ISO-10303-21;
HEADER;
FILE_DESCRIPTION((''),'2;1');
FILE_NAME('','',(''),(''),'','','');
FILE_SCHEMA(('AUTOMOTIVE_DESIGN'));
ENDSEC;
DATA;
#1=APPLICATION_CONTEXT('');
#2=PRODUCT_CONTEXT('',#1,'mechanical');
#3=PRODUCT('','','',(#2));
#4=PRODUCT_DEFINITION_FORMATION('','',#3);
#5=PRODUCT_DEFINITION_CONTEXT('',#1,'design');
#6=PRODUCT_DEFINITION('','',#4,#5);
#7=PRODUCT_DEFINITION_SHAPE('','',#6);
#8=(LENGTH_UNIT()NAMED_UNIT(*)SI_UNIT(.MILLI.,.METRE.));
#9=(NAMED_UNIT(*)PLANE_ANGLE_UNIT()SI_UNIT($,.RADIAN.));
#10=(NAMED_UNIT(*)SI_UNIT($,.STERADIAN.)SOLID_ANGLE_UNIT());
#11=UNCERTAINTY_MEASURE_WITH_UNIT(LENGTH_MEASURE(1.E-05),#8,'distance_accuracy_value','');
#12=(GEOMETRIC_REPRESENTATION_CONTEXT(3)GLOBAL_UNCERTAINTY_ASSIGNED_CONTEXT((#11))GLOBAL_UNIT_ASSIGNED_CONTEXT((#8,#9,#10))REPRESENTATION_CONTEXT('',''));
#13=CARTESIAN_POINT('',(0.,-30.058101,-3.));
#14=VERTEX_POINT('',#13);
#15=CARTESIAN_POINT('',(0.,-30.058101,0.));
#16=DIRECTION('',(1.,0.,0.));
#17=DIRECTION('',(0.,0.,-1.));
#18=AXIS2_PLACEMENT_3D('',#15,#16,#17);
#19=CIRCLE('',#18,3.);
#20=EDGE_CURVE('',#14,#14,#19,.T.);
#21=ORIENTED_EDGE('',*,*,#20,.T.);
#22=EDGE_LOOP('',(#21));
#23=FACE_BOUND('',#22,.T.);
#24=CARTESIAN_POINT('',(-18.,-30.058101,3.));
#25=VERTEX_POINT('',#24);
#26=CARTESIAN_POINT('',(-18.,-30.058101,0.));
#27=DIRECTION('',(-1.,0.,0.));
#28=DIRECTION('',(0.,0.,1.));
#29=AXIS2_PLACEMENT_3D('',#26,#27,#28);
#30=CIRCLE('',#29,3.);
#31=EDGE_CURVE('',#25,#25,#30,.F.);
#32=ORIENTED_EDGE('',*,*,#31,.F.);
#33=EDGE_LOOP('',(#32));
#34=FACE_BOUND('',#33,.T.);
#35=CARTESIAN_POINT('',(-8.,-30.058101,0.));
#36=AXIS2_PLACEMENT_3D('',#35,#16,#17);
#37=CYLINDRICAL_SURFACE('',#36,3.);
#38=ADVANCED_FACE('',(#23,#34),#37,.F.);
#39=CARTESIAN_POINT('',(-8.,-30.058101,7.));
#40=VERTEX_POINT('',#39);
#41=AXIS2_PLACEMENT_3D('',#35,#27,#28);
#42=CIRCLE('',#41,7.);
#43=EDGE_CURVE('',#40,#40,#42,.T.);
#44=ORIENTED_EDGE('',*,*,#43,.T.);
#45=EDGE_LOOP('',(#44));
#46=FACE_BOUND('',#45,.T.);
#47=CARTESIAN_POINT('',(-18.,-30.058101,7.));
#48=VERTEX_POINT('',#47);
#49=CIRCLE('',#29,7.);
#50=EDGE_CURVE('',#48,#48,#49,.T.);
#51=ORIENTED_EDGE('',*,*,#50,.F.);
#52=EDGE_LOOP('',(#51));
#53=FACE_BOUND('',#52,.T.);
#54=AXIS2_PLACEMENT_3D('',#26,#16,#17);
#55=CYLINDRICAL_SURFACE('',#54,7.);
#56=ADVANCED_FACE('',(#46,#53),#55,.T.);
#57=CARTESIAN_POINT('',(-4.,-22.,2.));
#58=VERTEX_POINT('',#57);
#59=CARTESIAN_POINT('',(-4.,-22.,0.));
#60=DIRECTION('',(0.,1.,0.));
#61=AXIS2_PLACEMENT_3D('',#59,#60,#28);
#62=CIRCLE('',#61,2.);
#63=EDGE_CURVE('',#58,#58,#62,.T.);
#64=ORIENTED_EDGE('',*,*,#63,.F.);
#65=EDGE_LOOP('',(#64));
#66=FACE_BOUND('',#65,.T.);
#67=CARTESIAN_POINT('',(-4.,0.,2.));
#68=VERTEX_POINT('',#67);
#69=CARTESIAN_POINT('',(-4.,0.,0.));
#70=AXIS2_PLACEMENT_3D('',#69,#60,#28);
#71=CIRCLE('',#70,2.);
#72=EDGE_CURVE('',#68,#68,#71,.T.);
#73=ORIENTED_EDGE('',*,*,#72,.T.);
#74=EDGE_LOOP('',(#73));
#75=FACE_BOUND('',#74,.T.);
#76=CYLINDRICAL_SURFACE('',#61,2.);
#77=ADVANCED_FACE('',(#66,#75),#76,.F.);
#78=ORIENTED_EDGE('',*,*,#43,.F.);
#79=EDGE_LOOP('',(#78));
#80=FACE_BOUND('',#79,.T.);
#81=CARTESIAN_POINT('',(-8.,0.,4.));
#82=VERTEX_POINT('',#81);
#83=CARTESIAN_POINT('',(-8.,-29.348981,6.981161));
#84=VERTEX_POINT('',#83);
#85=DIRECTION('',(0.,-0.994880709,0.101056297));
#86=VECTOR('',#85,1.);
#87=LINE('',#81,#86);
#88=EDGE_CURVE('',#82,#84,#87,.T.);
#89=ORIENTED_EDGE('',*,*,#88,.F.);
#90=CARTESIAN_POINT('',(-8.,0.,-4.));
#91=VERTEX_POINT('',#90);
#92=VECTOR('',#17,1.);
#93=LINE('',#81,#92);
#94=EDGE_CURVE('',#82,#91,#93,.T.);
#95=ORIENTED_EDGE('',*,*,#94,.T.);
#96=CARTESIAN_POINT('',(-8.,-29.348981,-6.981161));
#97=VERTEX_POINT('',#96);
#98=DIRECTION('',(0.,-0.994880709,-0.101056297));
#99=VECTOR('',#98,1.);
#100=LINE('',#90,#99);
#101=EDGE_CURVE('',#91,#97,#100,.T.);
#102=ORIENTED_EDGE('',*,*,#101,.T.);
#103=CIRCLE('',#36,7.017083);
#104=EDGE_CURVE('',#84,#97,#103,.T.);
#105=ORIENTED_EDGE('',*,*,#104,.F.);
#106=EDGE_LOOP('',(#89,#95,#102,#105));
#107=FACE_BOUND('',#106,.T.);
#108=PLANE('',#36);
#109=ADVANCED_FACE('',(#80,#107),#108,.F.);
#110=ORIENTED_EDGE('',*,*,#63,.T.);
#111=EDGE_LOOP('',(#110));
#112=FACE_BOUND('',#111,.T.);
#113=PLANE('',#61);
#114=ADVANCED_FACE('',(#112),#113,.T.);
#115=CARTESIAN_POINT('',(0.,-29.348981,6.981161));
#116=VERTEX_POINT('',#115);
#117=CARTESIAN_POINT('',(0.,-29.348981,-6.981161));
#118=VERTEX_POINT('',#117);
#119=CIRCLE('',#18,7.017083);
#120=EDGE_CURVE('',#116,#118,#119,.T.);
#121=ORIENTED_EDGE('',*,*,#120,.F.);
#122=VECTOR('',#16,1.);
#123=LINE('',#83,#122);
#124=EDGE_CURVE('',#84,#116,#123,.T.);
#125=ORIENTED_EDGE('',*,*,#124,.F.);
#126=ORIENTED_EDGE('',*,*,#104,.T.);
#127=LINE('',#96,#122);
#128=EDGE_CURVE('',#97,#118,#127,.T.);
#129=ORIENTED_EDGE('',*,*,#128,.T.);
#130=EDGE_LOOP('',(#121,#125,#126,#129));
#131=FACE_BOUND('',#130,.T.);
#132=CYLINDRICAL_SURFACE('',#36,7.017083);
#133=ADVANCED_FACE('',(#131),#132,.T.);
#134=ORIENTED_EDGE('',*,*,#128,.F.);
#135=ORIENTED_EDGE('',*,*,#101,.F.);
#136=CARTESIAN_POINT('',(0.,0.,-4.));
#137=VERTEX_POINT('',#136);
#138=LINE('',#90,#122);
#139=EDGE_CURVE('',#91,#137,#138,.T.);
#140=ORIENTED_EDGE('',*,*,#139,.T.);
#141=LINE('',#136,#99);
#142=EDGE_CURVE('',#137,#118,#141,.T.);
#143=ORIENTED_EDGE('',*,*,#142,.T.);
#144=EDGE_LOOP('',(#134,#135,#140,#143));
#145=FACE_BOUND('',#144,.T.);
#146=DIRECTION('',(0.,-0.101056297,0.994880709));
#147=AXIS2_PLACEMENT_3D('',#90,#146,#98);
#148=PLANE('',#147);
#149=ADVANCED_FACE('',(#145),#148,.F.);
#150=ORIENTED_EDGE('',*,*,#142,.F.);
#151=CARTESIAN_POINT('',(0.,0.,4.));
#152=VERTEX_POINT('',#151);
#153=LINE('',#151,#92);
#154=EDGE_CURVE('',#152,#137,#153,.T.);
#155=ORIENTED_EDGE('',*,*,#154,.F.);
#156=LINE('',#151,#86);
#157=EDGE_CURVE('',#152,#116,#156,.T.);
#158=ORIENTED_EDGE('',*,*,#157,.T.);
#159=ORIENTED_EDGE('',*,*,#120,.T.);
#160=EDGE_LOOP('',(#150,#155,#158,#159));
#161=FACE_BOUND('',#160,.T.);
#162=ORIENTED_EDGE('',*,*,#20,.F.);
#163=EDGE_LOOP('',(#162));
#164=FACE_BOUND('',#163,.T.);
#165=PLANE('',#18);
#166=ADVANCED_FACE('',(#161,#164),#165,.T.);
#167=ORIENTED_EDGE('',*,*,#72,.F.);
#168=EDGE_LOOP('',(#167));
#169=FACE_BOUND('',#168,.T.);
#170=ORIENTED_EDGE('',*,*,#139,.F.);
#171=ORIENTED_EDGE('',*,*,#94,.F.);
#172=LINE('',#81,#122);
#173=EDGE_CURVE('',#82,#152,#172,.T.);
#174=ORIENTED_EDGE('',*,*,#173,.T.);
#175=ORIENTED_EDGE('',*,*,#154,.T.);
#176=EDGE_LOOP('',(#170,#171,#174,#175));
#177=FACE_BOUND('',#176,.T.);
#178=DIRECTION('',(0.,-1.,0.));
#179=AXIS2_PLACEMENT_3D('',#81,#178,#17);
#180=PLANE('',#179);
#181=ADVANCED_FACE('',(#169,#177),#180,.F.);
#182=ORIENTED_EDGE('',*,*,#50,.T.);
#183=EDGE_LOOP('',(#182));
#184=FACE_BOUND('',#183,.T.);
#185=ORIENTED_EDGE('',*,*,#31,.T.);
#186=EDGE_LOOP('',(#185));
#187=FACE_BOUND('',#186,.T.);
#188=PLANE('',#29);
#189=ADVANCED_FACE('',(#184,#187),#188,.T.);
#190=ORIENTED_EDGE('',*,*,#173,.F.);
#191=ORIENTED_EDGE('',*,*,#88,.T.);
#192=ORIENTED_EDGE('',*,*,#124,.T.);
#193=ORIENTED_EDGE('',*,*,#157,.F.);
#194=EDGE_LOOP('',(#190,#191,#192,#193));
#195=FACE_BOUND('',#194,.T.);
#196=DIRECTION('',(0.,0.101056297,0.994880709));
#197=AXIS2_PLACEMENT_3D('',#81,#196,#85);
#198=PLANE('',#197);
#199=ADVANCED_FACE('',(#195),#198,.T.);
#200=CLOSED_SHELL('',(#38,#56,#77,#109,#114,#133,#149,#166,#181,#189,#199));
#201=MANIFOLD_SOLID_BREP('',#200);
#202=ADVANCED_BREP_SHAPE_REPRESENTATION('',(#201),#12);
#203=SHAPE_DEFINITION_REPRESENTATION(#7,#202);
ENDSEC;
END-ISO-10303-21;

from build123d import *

# Parameters (mm, degrees)
SKETCH1_R           = 3
BOSS_EXTRUDE1_DEPTH = 8
SKETCH2_R           = 7
SKETCH2_R_2         = 3
BOSS_EXTRUDE2_DEPTH = 10
SKETCH3_R           = 2
CUT_EXTRUDE1_DEPTH  = 22


with BuildPart() as part:
    # Sketch1 → Boss-Extrude1 (new body)
    with BuildSketch(Plane(origin=(0, 0, 0), x_dir=(0, 0, -1), z_dir=(1, 0, 0))):
        with BuildLine():
            Line((-4, 0), (-6.981160767, -29.34898091))
            ThreePointArc((-6.981160767, -29.34898091), (0, -37.075184621), (6.981160767, -29.34898091))
            Line((6.981160767, -29.34898091), (4, 0))
            Line((4, 0), (-4, 0))
        make_face()
        with Locations((0, -30.058101362)):
            Circle(SKETCH1_R, mode=Mode.SUBTRACT)
    extrude(amount=-BOSS_EXTRUDE1_DEPTH)

    # Sketch2 → Boss-Extrude2 (add)
    with BuildSketch(Plane.ZY.offset(8)):
        with Locations((0, -30.058101362)):
            Circle(SKETCH2_R)
        with Locations(Location((0, -30.058101362, 0), (0, 0, 180))):
            Circle(SKETCH2_R_2, mode=Mode.SUBTRACT)
    extrude(amount=BOSS_EXTRUDE2_DEPTH)

    # Sketch3 → Cut-Extrude1 (cut)
    with BuildSketch(Plane(origin=(0, 0, 0), x_dir=(1, 0, 0), z_dir=(0, 1, 0))):
        with Locations(Location((-4, 0, 0), (0, 0, 270))):
            Circle(SKETCH3_R)
    extrude(amount=-CUT_EXTRUDE1_DEPTH, mode=Mode.SUBTRACT)


solid = part.part
